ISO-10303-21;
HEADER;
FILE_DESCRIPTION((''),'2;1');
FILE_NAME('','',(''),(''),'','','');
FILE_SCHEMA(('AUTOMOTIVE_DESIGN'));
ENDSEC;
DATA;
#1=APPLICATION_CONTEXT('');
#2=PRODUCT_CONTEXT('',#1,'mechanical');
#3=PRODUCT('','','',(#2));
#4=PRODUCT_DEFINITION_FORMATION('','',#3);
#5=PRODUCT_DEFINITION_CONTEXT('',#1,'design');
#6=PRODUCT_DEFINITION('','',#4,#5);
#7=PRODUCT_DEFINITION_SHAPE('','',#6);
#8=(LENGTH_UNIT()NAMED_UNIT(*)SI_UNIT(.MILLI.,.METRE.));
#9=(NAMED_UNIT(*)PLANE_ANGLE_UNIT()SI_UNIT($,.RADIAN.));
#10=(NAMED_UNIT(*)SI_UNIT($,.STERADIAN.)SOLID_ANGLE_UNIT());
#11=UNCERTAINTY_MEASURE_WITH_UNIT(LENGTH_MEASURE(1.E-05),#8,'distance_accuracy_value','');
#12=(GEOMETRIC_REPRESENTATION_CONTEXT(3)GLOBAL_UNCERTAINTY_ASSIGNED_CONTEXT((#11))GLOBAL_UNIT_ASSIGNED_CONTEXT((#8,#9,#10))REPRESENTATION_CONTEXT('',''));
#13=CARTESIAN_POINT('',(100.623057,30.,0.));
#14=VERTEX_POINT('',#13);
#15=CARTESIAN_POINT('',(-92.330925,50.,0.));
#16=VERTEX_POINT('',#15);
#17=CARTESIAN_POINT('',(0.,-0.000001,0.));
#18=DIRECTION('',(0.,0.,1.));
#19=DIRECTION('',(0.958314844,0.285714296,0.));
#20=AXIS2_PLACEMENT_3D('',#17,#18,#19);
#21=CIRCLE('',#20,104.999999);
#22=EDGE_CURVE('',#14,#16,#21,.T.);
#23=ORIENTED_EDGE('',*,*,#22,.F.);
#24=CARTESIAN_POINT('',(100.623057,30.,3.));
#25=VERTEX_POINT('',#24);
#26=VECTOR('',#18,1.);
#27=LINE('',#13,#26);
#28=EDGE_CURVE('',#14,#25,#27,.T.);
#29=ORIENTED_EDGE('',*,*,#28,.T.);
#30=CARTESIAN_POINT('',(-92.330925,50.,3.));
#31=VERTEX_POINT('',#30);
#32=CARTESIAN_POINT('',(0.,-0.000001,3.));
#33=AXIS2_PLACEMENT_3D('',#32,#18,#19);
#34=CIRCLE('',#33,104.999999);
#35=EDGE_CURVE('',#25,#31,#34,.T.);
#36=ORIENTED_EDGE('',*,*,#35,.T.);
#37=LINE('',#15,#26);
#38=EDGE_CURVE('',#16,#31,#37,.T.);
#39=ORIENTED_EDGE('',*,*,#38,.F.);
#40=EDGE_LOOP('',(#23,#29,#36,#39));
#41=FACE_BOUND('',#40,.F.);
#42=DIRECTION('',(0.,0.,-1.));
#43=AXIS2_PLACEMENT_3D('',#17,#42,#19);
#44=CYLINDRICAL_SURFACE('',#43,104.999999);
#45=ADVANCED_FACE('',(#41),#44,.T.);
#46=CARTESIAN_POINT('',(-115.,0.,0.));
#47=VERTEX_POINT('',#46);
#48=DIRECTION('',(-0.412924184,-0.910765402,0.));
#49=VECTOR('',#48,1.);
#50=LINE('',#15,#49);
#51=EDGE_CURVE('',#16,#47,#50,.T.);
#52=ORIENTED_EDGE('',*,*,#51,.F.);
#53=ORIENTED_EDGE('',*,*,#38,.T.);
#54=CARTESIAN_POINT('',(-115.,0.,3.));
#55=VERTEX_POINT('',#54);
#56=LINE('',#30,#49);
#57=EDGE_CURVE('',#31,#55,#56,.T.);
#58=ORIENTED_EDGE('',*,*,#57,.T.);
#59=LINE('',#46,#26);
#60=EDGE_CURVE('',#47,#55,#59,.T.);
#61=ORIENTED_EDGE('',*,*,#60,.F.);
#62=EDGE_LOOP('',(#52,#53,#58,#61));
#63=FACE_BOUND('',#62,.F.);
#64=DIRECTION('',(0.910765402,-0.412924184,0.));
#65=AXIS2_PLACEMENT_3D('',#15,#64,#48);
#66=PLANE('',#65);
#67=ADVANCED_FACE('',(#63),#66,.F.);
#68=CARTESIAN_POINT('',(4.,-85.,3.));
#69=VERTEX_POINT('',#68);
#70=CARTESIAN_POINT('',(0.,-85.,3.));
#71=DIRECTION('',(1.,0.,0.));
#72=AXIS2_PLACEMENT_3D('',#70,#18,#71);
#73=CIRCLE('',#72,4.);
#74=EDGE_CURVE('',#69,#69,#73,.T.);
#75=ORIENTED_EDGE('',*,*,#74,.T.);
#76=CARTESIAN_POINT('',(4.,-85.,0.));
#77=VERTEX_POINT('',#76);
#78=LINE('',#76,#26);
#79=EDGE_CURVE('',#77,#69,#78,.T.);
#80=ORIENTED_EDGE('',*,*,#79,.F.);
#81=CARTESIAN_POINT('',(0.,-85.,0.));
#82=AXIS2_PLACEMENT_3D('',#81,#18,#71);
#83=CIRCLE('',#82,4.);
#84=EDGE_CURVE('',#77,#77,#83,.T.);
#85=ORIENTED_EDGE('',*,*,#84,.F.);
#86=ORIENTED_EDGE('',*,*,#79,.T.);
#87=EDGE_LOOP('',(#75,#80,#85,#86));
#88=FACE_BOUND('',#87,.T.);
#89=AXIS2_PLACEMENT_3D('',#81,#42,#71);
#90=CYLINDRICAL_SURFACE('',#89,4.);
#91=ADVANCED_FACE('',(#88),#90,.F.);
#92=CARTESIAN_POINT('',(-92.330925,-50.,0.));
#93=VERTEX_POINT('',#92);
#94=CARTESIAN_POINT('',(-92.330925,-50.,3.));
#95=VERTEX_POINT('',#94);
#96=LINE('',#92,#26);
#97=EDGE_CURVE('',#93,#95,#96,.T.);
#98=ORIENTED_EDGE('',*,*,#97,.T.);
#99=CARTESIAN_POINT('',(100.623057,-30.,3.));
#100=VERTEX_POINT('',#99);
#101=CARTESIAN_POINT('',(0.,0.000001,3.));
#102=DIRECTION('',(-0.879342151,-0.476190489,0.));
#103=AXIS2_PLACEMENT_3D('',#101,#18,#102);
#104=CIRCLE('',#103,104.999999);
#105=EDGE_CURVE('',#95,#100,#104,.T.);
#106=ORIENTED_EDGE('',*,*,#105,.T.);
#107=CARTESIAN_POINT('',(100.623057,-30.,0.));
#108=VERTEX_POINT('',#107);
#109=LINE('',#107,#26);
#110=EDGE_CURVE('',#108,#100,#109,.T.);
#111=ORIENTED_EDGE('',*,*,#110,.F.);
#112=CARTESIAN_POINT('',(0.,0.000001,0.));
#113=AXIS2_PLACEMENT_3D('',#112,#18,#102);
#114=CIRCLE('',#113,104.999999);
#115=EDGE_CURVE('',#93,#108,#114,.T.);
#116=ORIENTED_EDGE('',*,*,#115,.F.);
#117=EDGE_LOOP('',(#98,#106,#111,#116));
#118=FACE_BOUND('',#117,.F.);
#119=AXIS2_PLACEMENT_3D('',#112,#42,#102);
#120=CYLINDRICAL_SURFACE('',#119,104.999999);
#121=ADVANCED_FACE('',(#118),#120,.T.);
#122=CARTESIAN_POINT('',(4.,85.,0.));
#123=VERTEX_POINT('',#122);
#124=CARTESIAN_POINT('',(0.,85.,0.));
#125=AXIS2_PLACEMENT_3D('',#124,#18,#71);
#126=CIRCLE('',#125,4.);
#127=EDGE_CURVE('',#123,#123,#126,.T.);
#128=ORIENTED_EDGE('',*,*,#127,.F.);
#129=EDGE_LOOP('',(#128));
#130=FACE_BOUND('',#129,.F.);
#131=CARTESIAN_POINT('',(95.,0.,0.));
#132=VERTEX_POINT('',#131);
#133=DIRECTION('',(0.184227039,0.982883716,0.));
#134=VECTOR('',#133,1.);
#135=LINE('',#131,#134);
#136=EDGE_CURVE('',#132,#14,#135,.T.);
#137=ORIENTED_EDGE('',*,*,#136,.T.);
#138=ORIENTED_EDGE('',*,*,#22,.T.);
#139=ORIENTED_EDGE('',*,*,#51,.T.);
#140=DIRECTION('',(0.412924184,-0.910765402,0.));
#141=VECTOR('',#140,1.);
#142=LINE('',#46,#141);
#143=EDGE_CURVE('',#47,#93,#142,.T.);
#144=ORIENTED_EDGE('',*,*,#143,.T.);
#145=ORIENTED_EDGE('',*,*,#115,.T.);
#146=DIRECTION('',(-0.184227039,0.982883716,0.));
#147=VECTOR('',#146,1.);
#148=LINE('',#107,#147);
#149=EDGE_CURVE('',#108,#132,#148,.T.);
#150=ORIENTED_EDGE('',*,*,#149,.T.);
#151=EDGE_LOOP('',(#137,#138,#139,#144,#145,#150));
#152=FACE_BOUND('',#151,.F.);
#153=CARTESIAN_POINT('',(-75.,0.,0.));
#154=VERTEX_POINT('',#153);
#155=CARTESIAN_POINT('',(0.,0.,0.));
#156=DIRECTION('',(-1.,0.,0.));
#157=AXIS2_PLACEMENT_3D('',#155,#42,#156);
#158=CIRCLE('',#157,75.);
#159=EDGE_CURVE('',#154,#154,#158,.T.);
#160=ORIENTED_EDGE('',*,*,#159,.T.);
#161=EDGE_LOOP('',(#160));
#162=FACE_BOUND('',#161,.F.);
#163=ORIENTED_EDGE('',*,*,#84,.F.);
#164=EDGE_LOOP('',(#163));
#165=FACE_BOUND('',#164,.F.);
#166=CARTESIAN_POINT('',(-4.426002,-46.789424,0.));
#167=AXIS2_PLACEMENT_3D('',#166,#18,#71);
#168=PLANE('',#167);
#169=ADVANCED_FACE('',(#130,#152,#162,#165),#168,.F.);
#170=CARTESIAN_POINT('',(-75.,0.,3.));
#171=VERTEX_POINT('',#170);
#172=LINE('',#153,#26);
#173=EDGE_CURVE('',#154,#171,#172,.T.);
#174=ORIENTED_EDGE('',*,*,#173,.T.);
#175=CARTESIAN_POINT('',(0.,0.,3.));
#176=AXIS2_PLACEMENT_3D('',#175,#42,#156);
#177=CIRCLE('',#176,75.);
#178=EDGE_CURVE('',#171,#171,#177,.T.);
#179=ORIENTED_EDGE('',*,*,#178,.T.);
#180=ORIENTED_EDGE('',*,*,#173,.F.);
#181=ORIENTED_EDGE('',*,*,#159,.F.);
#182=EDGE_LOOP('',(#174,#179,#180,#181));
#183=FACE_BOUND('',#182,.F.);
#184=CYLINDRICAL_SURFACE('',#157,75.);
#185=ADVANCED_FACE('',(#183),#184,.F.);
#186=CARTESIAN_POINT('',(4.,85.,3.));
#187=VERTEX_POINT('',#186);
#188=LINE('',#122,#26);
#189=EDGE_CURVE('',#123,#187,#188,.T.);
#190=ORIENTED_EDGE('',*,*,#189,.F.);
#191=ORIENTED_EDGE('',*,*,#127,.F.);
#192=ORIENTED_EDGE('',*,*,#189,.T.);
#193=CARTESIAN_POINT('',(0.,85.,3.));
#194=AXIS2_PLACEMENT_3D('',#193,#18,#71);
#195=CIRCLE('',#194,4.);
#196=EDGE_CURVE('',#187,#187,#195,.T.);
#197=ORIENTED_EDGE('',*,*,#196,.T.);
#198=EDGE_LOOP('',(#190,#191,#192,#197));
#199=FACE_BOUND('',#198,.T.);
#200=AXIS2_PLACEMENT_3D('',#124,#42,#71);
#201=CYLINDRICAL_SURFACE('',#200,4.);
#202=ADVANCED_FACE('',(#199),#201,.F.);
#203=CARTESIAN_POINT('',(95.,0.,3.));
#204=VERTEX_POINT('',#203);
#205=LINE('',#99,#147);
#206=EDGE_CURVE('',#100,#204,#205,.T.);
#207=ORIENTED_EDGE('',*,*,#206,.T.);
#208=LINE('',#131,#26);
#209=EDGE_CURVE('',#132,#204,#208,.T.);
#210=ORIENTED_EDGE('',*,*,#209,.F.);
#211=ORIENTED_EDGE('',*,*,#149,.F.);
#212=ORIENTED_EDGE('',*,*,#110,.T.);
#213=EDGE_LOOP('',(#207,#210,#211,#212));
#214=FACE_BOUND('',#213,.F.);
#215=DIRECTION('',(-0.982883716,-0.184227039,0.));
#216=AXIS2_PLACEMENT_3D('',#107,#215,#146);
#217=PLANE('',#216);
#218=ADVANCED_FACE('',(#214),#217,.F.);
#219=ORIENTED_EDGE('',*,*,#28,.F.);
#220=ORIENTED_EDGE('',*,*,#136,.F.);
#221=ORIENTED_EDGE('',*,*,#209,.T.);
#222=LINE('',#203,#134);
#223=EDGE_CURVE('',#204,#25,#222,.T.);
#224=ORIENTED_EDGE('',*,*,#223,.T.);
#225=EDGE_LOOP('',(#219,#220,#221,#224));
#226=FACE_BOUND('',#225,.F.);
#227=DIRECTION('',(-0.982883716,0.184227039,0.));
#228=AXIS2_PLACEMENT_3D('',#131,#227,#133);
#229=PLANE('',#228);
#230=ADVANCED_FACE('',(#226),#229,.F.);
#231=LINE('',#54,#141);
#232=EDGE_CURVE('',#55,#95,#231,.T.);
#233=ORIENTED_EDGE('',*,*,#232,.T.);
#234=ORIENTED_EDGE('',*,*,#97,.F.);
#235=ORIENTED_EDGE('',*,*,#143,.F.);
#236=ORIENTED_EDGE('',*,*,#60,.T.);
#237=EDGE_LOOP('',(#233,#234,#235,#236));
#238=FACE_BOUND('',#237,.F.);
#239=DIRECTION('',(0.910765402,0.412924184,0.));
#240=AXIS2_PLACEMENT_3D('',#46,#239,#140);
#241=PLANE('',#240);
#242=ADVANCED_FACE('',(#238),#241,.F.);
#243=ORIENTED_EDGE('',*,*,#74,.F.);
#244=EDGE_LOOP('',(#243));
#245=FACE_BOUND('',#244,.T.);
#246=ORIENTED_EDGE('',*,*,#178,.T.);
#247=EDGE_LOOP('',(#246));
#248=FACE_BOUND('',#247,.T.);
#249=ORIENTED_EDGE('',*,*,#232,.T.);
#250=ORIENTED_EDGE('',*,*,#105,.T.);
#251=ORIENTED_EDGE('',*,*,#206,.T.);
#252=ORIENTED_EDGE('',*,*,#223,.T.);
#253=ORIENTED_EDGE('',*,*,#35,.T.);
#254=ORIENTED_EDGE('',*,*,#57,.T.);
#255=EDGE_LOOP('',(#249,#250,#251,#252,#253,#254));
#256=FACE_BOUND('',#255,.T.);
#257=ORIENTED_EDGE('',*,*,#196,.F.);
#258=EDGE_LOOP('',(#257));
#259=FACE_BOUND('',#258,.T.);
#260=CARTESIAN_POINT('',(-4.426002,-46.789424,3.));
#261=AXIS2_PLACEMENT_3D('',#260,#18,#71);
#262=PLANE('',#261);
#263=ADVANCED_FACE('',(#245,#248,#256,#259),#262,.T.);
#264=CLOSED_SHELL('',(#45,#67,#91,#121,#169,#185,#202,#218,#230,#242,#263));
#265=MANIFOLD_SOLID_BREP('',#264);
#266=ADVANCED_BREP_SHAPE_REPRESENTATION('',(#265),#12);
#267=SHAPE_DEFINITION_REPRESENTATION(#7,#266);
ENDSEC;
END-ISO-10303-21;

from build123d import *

# Parameters (mm, degrees)
F0_R     = 4
F1_DEPTH = 3


with BuildPart() as f1:
    # F0 (on Top) → F1 (new body)
    with BuildSketch(Plane.XY):
        with BuildLine():
            Line((85, 0), (75, 0))
            ThreePointArc((75, 0), (0, -75), (-75, 0))
            Line((-75, 0), (-85, 0))
            ThreePointArc((-85, 0), (-87.5, 9.330127), (-90, 0))
            Line((-90, 0), (-115, 0))
            Line((-115, 0), (-92.330925, -50))
            ThreePointArc((-92.330925, -50), (10.825427, -104.44046), (100.623057, -30))
            Line((100.623057, -30), (95, 0))
            Line((95, 0), (90, 0))
            ThreePointArc((90, 0), (87.5, -9.330127), (85, 0))
        make_face()
        with Locations((0, -85)):
            Circle(F0_R, mode=Mode.SUBTRACT)
        with BuildLine():
            ThreePointArc((-75, 0), (0, 75), (75, 0))
            Line((75, 0), (85, 0))
            ThreePointArc((85, 0), (87.5, -9.330127), (90, 0))
            Line((90, 0), (95, 0))
            Line((95, 0), (100.623057, 30))
            ThreePointArc((100.623057, 30), (10.825427, 104.44046), (-92.330925, 50))
            Line((-92.330925, 50), (-115, 0))
            Line((-115, 0), (-90, 0))
            ThreePointArc((-90, 0), (-87.5, 9.330127), (-85, 0))
            Line((-85, 0), (-75, 0))
        make_face()
        with Locations((0, 85)):
            Circle(F0_R, mode=Mode.SUBTRACT)
    extrude(amount=F1_DEPTH)


solid = f1.part
